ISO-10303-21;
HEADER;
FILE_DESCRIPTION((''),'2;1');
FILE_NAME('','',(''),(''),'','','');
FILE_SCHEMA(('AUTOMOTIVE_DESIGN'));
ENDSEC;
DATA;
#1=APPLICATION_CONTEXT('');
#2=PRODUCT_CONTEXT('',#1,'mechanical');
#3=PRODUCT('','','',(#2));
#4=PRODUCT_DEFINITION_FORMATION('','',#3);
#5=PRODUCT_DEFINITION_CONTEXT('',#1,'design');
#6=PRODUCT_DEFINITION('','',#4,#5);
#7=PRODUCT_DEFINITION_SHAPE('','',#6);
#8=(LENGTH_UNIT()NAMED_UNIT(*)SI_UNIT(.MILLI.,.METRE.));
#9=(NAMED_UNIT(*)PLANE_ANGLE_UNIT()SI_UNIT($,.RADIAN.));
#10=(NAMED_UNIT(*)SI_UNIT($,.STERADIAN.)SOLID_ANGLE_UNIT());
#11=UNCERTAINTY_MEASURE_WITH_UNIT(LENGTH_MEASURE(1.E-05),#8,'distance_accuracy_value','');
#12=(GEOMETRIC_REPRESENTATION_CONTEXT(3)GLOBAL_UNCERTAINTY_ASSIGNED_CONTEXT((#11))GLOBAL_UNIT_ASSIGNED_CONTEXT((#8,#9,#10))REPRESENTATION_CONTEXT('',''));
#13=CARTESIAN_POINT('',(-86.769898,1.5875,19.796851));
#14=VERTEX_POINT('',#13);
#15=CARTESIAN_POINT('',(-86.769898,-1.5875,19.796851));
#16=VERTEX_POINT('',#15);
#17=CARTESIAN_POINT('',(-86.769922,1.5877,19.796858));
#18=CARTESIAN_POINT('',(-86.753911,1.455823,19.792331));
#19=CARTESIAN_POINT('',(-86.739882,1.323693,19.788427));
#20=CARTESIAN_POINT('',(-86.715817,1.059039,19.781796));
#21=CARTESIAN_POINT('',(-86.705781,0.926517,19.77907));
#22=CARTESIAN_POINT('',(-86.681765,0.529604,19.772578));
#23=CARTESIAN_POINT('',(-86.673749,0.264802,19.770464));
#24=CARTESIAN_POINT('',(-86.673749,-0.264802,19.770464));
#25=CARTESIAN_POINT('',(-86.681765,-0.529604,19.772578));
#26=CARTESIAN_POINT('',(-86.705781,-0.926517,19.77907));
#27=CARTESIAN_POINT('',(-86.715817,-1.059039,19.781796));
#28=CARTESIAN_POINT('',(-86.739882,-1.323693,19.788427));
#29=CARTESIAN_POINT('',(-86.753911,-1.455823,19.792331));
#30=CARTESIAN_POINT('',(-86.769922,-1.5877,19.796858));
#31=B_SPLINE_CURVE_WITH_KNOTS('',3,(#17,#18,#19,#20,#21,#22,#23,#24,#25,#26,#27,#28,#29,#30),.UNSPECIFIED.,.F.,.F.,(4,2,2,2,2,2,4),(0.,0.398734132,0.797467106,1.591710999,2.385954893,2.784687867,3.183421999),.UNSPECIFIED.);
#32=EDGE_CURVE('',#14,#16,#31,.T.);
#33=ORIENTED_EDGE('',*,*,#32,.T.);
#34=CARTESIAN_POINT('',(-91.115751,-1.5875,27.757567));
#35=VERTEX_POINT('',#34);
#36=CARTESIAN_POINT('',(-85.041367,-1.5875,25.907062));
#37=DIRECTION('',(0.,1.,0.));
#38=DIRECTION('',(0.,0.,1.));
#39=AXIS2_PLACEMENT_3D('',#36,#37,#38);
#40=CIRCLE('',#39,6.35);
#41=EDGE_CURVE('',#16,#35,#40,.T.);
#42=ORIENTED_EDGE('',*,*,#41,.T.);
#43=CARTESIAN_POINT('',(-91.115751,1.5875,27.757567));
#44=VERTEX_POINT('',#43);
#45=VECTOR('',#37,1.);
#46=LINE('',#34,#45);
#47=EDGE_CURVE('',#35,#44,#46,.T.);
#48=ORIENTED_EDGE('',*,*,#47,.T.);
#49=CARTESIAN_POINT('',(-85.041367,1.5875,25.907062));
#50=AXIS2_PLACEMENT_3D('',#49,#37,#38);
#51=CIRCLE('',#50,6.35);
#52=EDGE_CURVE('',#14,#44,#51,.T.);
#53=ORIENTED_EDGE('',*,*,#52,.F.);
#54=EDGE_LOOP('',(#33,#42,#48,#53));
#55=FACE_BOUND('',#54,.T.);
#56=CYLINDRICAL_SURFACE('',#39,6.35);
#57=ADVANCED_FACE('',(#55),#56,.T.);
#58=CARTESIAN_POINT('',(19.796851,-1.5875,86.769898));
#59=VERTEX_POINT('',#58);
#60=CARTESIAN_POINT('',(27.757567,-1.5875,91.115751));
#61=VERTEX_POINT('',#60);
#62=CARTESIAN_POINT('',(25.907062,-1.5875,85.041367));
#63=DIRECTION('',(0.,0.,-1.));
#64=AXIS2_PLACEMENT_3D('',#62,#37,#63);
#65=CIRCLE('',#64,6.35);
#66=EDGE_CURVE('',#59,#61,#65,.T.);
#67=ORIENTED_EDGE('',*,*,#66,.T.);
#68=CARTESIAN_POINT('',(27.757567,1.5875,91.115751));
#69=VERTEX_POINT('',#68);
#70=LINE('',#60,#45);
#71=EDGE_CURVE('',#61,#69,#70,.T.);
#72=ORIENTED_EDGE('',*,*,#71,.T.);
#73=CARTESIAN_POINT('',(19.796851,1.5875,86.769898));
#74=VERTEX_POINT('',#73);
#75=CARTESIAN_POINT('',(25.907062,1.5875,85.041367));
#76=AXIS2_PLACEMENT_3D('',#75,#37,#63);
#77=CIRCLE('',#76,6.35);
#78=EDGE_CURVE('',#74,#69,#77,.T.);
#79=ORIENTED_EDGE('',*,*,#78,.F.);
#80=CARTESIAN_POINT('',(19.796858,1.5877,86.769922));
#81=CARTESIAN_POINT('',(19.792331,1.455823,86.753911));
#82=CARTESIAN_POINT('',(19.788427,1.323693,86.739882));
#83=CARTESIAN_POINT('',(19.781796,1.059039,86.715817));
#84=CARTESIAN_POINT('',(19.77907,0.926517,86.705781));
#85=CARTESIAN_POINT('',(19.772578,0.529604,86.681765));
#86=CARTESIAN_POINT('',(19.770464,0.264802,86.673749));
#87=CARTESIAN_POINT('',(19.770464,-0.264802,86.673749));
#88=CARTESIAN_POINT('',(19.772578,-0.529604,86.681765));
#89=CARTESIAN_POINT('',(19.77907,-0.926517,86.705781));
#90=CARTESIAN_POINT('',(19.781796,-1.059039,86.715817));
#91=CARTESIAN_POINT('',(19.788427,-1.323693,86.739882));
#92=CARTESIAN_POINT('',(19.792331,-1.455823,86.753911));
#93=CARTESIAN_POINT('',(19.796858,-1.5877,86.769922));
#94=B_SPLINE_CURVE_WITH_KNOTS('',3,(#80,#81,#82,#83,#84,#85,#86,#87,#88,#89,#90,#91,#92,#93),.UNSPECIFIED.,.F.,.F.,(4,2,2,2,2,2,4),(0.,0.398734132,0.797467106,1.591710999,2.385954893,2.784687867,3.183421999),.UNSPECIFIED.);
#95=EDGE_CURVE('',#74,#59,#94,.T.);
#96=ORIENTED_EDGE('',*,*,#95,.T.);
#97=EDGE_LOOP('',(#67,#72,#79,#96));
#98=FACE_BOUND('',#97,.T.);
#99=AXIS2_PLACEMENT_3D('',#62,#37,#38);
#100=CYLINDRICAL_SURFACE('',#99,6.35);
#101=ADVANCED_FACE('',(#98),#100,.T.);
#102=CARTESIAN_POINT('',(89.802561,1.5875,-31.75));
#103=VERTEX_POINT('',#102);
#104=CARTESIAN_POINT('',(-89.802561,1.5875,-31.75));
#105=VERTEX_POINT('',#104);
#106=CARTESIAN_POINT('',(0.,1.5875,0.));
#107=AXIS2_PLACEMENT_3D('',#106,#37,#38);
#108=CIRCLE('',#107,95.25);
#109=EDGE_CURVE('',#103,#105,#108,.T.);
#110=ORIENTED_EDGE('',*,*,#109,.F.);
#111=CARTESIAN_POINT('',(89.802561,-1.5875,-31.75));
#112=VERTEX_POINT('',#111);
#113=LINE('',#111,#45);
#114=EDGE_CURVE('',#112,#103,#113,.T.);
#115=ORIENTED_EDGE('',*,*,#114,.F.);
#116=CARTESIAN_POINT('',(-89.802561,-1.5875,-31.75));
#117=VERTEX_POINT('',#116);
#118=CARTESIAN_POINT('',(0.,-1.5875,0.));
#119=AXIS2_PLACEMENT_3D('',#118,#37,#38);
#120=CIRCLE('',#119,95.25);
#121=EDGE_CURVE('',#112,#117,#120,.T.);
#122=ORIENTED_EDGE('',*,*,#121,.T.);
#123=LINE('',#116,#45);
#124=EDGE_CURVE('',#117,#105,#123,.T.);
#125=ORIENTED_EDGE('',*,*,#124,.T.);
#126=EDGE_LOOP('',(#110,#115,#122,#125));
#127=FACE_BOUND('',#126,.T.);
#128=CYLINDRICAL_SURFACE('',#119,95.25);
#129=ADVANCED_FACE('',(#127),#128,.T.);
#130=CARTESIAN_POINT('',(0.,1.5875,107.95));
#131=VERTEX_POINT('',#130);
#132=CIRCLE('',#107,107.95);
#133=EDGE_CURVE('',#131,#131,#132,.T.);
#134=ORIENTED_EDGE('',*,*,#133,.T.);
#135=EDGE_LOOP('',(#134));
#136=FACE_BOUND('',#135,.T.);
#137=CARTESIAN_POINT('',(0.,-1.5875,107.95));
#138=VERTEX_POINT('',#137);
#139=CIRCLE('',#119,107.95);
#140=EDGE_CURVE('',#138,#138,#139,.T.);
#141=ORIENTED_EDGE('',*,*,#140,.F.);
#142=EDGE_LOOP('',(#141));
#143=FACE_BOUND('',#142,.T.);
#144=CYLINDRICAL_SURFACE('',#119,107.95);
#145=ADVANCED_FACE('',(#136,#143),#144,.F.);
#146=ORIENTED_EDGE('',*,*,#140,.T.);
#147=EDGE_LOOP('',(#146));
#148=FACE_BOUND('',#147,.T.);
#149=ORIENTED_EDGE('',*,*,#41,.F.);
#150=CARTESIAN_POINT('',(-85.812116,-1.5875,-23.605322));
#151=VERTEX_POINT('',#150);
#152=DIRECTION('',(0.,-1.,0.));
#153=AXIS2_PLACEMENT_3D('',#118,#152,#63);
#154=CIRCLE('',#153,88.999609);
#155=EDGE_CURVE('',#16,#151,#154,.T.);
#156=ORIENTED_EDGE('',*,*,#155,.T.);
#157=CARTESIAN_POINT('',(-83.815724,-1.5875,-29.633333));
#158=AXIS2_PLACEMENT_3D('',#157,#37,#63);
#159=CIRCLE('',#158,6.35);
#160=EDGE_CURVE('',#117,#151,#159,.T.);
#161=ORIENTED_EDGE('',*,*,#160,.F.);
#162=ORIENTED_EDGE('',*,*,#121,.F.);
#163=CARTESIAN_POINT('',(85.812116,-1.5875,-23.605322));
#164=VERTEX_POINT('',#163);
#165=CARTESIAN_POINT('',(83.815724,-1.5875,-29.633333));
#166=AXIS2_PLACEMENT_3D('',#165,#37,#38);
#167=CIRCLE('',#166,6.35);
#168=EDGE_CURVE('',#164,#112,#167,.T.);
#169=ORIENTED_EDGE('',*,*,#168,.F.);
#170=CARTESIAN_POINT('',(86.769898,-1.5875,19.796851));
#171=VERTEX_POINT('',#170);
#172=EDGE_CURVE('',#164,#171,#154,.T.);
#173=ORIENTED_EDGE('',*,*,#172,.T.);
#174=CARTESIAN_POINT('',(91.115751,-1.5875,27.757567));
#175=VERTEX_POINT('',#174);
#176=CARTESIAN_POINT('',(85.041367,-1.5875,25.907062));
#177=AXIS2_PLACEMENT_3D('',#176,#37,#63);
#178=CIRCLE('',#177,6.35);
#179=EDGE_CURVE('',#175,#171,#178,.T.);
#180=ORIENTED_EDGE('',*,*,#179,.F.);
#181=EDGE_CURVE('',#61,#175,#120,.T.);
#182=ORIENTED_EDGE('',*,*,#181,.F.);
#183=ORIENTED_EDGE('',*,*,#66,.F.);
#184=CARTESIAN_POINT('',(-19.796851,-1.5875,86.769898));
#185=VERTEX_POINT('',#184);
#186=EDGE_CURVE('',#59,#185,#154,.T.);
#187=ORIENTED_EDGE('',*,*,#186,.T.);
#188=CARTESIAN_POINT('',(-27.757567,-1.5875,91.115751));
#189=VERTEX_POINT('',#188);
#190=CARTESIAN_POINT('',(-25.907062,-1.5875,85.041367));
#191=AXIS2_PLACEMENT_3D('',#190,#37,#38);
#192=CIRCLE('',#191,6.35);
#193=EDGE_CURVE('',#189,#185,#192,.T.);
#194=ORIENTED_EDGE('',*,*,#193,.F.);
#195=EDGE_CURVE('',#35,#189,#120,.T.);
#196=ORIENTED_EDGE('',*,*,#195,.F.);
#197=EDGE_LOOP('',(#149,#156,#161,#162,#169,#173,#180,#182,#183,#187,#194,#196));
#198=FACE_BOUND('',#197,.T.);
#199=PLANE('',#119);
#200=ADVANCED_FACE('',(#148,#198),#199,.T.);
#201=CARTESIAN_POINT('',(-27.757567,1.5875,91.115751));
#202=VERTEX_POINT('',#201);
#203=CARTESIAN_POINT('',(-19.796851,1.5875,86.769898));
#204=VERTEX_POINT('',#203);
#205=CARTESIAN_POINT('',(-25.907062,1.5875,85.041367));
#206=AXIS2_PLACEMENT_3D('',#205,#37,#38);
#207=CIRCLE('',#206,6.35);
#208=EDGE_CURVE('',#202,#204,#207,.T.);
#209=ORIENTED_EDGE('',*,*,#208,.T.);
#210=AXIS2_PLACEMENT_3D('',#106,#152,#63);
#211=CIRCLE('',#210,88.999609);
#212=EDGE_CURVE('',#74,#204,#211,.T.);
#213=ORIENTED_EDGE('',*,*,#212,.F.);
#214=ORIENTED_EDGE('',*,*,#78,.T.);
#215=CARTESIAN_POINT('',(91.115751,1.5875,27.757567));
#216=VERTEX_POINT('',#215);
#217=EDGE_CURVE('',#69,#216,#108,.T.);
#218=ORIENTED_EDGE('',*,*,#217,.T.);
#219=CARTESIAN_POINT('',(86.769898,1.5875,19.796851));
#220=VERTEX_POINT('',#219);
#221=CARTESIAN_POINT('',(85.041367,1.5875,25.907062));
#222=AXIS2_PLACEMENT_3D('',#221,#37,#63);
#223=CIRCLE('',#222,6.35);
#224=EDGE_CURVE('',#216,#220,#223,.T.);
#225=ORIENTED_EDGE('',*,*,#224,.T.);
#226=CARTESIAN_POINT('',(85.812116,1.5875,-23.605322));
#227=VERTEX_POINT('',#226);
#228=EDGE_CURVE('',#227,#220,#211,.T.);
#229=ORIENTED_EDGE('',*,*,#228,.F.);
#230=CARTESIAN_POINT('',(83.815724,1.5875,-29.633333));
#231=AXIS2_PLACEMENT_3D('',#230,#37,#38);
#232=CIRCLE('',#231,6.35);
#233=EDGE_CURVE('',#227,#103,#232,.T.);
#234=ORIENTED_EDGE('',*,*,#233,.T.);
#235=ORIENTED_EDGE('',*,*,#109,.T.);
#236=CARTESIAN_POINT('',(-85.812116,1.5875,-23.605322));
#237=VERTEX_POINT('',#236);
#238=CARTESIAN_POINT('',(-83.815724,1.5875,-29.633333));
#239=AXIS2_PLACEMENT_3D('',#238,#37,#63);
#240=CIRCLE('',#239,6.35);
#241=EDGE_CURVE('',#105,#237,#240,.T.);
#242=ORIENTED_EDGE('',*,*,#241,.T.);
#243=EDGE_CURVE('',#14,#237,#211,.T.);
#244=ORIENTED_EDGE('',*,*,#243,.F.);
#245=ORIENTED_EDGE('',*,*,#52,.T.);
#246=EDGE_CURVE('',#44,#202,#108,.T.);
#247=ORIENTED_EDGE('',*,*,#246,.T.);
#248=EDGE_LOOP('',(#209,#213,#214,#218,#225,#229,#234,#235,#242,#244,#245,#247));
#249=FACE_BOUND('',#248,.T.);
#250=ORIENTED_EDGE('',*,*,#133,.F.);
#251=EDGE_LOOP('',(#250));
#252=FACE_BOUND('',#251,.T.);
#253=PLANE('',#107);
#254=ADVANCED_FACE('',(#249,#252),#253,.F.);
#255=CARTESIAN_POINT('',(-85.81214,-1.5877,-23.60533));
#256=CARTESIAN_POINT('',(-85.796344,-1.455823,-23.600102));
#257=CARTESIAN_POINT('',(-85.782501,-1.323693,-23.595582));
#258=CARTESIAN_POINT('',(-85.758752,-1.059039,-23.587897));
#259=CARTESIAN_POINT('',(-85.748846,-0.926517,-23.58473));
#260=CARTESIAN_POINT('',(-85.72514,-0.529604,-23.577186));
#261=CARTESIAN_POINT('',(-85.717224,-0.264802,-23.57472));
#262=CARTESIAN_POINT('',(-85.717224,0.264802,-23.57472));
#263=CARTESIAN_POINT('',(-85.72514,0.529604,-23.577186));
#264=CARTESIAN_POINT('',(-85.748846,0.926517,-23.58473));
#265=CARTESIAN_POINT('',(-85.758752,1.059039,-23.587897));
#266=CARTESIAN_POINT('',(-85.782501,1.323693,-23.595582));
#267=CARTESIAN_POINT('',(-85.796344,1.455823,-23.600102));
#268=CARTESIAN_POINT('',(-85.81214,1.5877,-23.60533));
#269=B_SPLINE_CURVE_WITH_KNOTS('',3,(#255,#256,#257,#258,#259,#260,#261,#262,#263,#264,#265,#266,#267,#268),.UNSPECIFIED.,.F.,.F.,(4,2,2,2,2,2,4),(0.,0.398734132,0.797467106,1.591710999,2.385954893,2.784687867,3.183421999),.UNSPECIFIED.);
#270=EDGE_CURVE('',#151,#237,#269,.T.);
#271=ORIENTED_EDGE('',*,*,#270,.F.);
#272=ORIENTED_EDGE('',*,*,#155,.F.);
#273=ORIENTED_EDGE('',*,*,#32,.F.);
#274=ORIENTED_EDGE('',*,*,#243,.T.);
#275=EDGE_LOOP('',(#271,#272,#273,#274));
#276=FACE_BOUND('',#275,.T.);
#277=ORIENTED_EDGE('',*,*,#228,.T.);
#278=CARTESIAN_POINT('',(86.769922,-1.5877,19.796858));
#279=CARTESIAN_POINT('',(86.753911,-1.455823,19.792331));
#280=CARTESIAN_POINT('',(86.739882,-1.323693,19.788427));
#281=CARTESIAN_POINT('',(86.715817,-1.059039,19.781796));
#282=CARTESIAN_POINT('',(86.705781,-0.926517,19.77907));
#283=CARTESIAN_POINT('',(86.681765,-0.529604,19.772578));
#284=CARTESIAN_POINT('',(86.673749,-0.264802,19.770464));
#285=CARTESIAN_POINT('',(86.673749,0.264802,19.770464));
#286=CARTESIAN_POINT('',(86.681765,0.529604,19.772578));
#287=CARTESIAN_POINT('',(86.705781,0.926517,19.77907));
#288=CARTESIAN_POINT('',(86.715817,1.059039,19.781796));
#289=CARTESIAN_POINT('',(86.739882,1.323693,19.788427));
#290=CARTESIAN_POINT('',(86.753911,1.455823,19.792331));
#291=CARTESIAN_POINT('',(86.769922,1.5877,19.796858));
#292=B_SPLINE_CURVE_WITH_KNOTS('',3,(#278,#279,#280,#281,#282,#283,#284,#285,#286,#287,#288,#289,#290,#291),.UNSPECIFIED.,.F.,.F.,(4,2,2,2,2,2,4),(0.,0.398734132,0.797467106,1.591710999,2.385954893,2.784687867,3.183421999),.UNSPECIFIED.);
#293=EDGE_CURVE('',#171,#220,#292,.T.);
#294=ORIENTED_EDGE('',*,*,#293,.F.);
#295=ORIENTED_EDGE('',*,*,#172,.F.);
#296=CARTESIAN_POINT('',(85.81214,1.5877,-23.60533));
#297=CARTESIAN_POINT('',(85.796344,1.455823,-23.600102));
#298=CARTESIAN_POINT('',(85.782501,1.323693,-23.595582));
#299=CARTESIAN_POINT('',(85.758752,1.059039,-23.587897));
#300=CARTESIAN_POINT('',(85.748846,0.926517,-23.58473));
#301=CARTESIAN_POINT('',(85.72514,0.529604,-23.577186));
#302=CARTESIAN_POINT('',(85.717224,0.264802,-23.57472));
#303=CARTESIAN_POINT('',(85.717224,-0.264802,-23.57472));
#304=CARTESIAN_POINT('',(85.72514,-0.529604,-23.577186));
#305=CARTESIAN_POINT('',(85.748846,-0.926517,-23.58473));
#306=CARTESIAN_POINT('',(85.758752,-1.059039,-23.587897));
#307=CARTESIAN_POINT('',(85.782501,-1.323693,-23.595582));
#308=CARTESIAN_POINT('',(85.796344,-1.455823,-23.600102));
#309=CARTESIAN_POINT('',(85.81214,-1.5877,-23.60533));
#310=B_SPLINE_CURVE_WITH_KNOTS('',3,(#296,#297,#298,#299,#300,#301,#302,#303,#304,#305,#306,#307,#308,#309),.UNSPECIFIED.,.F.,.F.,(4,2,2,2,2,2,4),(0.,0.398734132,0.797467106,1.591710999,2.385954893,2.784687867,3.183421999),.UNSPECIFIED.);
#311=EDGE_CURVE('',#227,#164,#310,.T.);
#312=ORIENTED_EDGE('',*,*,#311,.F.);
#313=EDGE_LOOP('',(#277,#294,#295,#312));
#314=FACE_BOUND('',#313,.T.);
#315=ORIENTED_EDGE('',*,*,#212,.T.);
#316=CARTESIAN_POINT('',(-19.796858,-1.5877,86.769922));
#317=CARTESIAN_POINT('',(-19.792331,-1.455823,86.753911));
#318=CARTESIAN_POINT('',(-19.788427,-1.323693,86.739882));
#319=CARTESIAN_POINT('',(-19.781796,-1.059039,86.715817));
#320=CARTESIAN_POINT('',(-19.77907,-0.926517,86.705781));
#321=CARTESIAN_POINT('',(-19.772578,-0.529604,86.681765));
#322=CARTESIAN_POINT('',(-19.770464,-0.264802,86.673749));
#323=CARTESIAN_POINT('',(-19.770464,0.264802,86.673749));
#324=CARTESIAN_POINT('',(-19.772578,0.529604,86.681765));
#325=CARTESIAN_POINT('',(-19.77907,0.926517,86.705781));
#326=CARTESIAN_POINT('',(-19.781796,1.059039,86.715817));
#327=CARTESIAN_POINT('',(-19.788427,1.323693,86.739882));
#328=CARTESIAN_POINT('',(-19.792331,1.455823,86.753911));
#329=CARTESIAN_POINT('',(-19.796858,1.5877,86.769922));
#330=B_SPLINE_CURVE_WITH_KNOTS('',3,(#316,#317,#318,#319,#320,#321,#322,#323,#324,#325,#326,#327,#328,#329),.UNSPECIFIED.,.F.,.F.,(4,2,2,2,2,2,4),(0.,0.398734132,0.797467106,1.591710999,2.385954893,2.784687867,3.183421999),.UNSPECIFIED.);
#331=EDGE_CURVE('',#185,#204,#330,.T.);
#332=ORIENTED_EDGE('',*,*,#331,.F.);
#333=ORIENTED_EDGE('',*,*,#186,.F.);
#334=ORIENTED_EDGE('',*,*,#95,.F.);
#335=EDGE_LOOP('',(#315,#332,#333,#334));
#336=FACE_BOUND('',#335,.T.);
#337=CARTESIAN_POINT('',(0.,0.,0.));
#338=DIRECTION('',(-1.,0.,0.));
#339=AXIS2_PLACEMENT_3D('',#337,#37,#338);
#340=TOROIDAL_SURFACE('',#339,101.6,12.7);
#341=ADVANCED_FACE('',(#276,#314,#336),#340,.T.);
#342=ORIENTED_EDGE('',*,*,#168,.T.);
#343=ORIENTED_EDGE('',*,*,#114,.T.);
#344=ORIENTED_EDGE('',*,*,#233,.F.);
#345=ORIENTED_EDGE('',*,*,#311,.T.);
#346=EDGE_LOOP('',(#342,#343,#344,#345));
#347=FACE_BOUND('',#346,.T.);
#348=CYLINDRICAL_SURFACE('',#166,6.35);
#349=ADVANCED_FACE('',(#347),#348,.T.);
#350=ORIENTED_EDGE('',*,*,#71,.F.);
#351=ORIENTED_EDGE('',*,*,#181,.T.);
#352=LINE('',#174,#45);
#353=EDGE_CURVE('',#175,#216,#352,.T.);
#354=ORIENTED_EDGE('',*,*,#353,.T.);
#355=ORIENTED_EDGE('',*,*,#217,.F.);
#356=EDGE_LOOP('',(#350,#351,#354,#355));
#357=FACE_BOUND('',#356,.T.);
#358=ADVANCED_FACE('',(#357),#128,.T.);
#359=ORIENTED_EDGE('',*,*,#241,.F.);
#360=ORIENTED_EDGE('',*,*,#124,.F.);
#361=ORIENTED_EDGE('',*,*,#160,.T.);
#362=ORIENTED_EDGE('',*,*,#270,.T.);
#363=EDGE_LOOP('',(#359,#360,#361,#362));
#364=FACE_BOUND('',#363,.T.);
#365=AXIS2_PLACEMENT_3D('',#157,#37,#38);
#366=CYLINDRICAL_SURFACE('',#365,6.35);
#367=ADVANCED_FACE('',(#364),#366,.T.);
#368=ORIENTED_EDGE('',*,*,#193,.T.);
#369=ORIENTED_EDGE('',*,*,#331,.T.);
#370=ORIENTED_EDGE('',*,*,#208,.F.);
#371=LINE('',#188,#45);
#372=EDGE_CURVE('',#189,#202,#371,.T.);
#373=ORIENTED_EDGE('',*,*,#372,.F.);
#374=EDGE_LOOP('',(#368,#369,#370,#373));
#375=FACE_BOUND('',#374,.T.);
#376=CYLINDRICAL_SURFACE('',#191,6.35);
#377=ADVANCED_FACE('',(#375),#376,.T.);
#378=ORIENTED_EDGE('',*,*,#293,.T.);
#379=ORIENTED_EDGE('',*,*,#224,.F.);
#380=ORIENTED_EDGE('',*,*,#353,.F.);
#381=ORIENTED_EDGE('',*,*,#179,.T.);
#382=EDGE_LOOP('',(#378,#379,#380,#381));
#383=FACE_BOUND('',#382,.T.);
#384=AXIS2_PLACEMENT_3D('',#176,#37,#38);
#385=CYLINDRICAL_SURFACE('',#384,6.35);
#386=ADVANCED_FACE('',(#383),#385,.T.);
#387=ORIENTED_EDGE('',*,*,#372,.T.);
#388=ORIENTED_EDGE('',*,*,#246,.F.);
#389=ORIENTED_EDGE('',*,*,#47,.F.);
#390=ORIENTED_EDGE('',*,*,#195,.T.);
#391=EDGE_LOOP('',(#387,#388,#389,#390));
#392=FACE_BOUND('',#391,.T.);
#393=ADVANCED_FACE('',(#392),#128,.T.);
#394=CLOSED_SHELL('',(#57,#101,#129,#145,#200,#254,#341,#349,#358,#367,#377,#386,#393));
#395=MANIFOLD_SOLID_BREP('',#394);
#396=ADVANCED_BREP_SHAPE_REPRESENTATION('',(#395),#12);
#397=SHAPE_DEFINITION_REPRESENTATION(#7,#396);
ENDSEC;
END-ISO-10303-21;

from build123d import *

# Parameters (mm, degrees)
SKETCH1_R          = 12.7
SKETCH3_R          = 107.95
CUT_EXTRUDE1_DEPTH = 1.5875


with BuildPart() as part:
    # Sketch1 → Revolve1 (revolve)
    with BuildSketch(Plane.XY):
        with Locations((101.6, 0)):
            Circle(SKETCH1_R)
    revolve(axis=Axis((0, 3.175, 0), (0, -1, 0)))

    # Sketch3 → Cut-Extrude1 (cut, symmetric)
    with BuildSketch(Plane(origin=(0, 0, 0), x_dir=(1, 0, 0), z_dir=(0, 1, 0))):
        Circle(SKETCH3_R)
        with BuildLine():
            ThreePointArc((27.757566502, -91.11575057), (67.351920908, -67.351920908), (91.11575057, -27.757566502))
            ThreePointArc((91.11575057, -27.757566502), (89.903527616, -21.822714376), (84.266922058, -19.60446461))
            ThreePointArc((84.266922058, -19.60446461), (40.804807613, -40.804807613), (19.60446461, -84.266922058))
            ThreePointArc((19.60446461, -84.266922058), (21.822714376, -89.903527616), (27.757566502, -91.11575057))
        make_face(mode=Mode.SUBTRACT)
        with BuildLine():
            ThreePointArc((-81.63869201, 23.668181818), (0, 38.1), (81.63869201, 23.668181818))
            ThreePointArc((81.63869201, 23.668181818), (88.283116885, 25.120584837), (89.802561211, 31.75))
            ThreePointArc((89.802561211, 31.75), (0, 95.25), (-89.802561211, 31.75))
            ThreePointArc((-89.802561211, 31.75), (-88.283116885, 25.120584837), (-81.63869201, 23.668181818))
        make_face(mode=Mode.SUBTRACT)
        with BuildLine():
            ThreePointArc((-84.266922058, -19.60446461), (-40.804807613, -40.804807613), (-19.60446461, -84.266922058))
            ThreePointArc((-19.60446461, -84.266922058), (-21.822714376, -89.903527616), (-27.757566502, -91.11575057))
            ThreePointArc((-27.757566502, -91.11575057), (-67.351920908, -67.351920908), (-91.11575057, -27.757566502))
            ThreePointArc((-91.11575057, -27.757566502), (-89.903527616, -21.822714376), (-84.266922058, -19.60446461))
        make_face(mode=Mode.SUBTRACT)
    extrude(amount=CUT_EXTRUDE1_DEPTH, both=True, mode=Mode.SUBTRACT)


solid = part.part
